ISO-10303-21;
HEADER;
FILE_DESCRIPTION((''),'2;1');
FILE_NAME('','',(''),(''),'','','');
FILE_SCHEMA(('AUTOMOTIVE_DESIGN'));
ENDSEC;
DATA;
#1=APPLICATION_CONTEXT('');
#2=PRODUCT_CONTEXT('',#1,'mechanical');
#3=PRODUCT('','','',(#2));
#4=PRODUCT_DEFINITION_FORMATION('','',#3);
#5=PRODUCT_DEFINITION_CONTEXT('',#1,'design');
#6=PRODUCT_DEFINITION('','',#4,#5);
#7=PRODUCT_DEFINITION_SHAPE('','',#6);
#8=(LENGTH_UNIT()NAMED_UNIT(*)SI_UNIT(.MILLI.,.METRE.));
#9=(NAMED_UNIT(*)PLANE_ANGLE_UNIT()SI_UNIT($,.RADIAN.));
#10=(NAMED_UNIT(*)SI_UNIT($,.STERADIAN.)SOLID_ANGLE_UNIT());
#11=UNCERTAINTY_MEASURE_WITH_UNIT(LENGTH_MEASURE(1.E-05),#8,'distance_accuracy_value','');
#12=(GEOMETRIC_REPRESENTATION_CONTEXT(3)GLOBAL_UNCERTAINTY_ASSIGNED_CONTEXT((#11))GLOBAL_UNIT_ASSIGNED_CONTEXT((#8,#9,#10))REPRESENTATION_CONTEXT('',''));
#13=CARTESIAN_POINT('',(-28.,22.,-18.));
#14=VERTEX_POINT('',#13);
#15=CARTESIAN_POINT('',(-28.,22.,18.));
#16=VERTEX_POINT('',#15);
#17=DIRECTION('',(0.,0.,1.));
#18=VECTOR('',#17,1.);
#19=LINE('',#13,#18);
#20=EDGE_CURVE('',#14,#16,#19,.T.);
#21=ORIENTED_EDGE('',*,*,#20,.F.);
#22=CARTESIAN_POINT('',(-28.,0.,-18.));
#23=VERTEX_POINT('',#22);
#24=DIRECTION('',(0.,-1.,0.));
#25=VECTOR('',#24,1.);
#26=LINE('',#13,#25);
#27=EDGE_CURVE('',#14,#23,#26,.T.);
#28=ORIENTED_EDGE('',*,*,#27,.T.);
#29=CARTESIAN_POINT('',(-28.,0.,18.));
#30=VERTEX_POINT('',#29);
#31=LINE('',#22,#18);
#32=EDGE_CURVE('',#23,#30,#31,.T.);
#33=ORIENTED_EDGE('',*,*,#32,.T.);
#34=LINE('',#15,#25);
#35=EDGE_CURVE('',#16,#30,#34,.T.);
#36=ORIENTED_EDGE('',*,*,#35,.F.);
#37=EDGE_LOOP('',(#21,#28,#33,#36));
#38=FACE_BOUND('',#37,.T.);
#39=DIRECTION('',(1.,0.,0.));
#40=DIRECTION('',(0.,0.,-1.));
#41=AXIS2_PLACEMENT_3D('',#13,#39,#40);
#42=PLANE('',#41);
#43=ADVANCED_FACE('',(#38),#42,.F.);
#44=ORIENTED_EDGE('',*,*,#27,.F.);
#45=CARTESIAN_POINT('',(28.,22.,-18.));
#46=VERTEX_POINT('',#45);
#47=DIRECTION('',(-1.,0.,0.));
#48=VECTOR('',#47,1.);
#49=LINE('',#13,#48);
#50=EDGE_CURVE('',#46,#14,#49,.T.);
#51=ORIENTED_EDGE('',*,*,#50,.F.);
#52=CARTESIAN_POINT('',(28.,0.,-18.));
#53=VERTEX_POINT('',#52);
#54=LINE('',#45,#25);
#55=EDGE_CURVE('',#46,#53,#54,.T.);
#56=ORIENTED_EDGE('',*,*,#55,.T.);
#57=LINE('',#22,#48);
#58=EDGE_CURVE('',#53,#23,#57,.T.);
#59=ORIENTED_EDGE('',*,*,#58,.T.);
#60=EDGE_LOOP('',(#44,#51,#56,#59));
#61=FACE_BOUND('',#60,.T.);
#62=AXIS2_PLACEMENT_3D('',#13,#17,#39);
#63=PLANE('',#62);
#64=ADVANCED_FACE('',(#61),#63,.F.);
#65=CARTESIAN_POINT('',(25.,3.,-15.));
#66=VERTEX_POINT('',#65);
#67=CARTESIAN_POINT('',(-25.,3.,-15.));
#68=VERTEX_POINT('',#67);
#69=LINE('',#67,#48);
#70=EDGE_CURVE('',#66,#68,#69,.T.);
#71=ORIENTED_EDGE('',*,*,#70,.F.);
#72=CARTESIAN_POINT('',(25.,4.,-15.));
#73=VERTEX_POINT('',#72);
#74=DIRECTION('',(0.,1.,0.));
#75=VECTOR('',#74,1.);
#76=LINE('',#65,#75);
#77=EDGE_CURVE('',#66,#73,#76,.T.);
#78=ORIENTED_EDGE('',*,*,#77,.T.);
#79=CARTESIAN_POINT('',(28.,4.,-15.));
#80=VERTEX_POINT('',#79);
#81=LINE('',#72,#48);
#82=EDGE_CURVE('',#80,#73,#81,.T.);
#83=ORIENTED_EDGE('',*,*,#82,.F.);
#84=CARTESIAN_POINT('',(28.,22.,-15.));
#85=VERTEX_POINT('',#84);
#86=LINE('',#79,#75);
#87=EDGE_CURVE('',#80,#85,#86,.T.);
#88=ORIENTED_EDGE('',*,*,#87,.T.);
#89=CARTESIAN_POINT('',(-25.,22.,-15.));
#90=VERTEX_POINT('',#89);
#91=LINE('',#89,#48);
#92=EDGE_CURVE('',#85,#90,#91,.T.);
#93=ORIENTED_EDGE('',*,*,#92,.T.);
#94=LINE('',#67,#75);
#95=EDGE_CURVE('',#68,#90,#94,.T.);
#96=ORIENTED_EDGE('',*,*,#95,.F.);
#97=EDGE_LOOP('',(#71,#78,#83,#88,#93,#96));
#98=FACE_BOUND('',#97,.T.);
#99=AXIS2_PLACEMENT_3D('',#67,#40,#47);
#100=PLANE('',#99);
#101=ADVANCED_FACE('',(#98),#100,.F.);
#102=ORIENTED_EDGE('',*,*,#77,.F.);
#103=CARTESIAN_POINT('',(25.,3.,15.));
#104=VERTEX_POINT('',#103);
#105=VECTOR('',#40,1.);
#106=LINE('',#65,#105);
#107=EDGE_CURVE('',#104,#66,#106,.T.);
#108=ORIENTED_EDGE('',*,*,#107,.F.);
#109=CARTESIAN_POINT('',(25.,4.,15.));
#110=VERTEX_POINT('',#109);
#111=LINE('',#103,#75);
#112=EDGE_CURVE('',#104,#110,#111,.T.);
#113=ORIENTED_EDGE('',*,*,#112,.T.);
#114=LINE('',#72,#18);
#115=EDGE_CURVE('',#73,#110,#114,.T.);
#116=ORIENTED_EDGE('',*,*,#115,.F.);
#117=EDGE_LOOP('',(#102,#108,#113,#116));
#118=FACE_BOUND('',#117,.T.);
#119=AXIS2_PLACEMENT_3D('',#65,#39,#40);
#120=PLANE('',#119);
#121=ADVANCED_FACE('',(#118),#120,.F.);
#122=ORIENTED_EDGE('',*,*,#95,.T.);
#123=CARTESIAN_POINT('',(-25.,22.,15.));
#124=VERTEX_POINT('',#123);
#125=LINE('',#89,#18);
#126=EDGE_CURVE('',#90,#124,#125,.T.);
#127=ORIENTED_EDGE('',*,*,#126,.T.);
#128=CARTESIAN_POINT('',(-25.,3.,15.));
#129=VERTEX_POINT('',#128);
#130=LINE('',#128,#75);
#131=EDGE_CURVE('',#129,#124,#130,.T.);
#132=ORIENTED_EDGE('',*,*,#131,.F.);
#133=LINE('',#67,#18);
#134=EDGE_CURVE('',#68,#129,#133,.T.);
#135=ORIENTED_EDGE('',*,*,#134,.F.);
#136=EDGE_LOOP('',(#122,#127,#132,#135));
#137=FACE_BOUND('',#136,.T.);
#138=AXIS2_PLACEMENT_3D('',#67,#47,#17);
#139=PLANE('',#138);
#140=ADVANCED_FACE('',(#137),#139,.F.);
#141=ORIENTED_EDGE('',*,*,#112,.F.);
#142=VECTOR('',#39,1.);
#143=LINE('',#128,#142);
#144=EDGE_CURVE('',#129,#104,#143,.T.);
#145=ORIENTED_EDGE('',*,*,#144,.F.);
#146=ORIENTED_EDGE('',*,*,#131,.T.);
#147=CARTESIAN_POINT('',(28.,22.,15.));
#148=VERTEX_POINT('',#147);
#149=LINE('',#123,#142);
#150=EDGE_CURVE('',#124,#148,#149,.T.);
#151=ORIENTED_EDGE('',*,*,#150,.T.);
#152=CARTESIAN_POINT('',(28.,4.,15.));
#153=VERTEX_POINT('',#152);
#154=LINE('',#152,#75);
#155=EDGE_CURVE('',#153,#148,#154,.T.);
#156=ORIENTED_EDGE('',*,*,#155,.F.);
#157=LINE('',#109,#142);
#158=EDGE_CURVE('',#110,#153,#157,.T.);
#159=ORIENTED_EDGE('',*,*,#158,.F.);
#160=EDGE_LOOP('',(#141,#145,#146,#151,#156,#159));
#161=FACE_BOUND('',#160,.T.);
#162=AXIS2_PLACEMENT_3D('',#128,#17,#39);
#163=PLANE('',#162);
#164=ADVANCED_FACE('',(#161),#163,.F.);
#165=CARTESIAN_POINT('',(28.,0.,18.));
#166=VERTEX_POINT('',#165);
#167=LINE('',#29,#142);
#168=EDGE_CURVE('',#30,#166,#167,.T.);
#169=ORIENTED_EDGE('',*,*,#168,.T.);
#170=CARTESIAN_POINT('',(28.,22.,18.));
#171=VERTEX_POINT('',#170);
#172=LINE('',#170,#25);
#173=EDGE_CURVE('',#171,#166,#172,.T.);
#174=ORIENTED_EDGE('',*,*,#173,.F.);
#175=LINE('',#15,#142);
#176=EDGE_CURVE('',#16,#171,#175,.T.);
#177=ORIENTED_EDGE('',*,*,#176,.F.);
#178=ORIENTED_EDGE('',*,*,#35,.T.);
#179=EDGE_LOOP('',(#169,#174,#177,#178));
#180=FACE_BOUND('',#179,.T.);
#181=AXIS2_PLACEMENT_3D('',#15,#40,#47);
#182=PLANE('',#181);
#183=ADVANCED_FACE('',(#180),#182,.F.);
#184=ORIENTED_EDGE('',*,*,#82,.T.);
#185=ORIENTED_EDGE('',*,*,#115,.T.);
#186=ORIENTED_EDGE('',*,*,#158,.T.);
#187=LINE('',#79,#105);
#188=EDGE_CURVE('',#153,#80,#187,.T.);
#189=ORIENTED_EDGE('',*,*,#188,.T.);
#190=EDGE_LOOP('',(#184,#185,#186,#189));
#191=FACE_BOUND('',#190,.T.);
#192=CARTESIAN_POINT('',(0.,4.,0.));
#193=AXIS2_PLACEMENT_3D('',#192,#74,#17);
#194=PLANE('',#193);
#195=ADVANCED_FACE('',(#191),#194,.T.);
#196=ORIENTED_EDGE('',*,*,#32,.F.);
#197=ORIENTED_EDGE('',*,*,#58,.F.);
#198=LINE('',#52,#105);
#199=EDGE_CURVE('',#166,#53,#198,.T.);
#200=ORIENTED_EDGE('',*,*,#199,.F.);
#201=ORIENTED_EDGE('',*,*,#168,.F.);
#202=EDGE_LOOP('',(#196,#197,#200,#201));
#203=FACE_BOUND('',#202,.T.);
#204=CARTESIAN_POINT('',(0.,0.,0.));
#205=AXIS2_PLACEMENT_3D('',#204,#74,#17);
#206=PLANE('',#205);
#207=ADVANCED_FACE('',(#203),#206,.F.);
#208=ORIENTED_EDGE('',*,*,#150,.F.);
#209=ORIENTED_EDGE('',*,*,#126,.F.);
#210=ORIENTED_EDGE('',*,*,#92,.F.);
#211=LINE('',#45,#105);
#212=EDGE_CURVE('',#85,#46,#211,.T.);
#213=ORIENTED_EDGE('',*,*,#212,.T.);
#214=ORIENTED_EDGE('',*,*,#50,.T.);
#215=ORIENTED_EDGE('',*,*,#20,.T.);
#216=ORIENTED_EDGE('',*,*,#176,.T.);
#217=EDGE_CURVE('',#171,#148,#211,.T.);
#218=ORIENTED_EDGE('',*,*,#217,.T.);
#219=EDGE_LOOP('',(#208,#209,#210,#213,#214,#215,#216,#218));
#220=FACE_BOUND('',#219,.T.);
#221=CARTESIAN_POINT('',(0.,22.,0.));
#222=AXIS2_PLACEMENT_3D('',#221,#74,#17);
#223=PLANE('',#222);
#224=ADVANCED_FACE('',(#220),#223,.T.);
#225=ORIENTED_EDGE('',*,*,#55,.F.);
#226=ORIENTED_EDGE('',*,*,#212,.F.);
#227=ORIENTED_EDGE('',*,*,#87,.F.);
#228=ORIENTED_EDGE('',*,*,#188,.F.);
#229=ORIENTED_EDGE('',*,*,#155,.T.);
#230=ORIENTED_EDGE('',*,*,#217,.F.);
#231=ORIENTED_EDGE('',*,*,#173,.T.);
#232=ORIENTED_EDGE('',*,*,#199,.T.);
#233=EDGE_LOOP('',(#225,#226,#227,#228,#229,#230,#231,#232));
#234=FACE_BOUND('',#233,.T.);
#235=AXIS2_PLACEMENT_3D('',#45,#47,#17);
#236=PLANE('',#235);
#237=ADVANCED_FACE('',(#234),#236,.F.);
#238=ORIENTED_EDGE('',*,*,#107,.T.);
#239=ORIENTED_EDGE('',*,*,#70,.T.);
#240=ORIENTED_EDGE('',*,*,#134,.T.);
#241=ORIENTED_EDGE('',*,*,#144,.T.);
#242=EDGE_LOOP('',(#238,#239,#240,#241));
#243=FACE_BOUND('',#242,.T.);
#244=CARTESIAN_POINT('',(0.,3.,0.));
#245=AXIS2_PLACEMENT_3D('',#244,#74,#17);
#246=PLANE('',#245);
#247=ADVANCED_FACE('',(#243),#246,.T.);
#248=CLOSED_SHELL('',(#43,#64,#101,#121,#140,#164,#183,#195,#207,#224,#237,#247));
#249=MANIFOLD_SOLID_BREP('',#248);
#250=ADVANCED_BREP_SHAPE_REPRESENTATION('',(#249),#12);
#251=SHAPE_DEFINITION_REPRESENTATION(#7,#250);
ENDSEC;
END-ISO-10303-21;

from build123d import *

# Parameters (mm, degrees)
SKETCH1_W           = 56
SKETCH1_H           = 36
BOSS_EXTRUDE1_DEPTH = 22
SKETCH3_W           = 50
SKETCH3_H           = 30
CUT_EXTRUDE1_DEPTH  = 19
SKETCH4_W           = 3
SKETCH4_H           = 30
CUT_EXTRUDE2_DEPTH  = 18


with BuildPart() as part:
    # Sketch1 → Boss-Extrude1 (new body)
    with BuildSketch(Plane(origin=(0, 0, 0), x_dir=(1, 0, 0), z_dir=(0, 1, 0))):
        Rectangle(SKETCH1_W, SKETCH1_H)
    extrude(amount=BOSS_EXTRUDE1_DEPTH)

    # Sketch3 → Cut-Extrude1 (cut)
    with BuildSketch(Plane(origin=(0, 22, 0), x_dir=(1, 0, 0), z_dir=(0, 1, 0))):
        Rectangle(SKETCH3_W, SKETCH3_H)
    extrude(amount=-CUT_EXTRUDE1_DEPTH, mode=Mode.SUBTRACT)

    # Sketch4 → Cut-Extrude2 (cut)
    with BuildSketch(Plane(origin=(0, 22, 0), x_dir=(1, 0, 0), z_dir=(0, 1, 0))):
        with Locations((26.5, 0)):
            Rectangle(SKETCH4_W, SKETCH4_H)
    extrude(amount=-CUT_EXTRUDE2_DEPTH, mode=Mode.SUBTRACT)


solid = part.part
